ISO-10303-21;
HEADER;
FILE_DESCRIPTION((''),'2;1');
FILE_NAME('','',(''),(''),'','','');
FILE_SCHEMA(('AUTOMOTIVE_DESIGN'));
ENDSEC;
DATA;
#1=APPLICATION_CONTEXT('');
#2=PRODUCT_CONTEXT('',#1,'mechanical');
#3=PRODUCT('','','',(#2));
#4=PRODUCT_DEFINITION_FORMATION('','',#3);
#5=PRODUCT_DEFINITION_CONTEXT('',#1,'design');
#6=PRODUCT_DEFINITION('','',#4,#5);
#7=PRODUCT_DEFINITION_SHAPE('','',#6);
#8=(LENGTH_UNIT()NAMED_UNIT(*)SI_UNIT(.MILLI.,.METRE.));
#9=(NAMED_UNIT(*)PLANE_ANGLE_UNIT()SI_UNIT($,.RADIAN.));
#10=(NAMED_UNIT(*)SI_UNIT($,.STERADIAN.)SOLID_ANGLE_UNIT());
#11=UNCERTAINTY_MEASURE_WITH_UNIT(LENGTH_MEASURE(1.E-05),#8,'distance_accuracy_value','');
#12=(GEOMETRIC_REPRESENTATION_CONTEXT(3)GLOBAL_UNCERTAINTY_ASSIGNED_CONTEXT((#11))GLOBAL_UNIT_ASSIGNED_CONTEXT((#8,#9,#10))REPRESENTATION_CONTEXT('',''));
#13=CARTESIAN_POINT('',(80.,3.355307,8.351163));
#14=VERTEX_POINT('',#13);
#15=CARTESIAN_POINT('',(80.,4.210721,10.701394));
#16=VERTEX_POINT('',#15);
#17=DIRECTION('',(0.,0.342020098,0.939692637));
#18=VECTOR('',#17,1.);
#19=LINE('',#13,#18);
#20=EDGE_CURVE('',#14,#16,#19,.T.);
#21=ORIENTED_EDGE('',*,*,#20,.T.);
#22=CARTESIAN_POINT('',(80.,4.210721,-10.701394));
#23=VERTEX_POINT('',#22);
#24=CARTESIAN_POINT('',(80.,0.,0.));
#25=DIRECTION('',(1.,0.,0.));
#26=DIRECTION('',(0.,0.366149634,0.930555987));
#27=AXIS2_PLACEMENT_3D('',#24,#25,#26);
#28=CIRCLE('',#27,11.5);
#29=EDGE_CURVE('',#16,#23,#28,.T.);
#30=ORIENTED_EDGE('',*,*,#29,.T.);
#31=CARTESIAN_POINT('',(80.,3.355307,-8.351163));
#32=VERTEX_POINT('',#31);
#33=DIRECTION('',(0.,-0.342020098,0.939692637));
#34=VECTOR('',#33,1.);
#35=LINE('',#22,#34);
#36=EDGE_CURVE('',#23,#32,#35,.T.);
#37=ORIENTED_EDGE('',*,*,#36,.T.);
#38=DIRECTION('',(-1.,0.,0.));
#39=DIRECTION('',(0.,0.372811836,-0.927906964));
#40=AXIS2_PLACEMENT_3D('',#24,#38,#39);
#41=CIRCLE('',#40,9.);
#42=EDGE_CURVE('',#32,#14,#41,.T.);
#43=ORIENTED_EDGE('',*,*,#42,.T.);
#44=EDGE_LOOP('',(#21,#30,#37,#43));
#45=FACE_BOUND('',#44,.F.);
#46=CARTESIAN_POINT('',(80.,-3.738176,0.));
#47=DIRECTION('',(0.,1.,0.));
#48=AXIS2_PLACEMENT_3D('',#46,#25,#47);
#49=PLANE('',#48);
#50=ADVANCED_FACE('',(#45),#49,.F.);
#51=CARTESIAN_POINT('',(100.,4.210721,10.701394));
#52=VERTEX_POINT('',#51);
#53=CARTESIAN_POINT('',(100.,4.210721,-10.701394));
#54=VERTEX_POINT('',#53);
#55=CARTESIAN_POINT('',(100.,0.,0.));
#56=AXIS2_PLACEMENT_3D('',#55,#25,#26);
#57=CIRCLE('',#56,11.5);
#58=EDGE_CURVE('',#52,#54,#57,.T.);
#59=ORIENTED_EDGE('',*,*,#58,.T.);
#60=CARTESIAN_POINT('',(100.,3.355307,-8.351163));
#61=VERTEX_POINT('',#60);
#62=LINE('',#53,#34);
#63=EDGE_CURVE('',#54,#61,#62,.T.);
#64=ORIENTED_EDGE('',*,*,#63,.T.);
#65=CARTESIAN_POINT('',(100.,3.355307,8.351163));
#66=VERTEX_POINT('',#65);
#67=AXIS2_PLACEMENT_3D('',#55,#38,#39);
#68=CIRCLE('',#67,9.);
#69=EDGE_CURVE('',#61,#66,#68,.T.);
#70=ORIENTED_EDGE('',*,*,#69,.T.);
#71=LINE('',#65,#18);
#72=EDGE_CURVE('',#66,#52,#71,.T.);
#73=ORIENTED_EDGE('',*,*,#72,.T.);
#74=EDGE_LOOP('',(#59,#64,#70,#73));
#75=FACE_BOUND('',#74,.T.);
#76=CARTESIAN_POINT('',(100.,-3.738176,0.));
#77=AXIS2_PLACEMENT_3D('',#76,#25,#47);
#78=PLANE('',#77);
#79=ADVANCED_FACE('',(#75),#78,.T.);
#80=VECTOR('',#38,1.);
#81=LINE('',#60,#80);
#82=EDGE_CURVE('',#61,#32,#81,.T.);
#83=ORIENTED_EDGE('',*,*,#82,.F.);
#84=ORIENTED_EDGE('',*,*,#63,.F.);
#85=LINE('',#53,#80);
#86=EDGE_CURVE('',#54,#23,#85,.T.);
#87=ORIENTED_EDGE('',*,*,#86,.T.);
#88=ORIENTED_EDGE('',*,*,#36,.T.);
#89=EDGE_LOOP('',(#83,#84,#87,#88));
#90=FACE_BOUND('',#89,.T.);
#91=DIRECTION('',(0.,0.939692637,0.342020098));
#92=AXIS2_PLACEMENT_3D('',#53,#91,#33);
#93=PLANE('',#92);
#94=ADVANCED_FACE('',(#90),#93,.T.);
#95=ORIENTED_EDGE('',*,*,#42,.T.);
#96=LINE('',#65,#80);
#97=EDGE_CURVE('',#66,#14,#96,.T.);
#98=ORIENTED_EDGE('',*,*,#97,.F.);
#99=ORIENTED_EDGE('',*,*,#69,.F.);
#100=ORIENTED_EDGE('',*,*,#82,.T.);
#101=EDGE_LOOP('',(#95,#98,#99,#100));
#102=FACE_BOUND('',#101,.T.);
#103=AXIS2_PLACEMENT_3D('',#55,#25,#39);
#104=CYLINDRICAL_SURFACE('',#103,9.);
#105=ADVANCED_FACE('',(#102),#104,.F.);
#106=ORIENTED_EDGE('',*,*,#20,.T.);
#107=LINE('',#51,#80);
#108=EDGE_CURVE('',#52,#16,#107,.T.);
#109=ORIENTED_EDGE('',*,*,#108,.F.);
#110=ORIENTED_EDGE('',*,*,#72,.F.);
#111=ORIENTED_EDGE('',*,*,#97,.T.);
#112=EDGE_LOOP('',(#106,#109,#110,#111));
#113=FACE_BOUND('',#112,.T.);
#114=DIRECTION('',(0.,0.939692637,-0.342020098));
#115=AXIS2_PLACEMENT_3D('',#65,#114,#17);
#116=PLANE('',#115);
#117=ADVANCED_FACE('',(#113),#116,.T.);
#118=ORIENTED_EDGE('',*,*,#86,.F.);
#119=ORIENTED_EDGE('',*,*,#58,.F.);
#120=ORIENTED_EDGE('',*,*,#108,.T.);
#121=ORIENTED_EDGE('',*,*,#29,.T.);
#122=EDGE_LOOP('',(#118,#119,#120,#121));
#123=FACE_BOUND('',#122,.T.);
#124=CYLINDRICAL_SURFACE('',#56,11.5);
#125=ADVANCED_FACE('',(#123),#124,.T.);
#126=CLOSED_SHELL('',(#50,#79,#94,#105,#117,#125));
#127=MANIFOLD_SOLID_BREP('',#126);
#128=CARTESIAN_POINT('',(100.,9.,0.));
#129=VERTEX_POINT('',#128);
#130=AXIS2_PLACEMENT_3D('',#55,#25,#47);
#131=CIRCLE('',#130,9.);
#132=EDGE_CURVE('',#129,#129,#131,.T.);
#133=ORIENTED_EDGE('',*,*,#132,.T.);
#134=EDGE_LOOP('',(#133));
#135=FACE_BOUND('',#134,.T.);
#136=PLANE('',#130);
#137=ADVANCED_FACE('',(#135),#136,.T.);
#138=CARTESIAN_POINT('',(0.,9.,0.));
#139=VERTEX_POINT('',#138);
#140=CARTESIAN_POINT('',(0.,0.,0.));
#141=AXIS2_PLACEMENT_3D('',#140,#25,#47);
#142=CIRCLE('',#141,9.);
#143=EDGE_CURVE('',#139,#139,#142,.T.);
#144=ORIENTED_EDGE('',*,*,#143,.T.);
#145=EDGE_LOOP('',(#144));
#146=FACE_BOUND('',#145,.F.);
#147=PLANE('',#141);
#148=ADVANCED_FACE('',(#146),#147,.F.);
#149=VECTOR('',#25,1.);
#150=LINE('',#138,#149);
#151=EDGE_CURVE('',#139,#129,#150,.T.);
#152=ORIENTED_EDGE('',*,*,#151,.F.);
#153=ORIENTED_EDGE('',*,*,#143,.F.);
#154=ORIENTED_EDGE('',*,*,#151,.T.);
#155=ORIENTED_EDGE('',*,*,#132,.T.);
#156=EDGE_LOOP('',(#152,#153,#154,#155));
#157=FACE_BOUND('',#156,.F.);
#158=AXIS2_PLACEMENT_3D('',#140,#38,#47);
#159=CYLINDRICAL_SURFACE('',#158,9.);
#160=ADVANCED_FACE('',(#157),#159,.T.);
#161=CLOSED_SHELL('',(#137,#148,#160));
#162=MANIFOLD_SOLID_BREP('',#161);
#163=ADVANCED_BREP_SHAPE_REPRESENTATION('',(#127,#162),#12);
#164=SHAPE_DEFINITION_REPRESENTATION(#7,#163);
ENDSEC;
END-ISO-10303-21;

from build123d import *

# Parameters (mm, degrees)
F0_R     = 9
F1_DEPTH = 100
F3_DEPTH = 20


with BuildPart() as f1:
    # F0 (on Right) → F1 (new body)
    with BuildSketch(Plane.YZ):
        Circle(F0_R)
    extrude(amount=F1_DEPTH)


with BuildPart() as f3:
    # F2 (on face) → F3 (new body)
    with BuildSketch(Plane.YZ.offset(100)):
        with BuildLine():
            ThreePointArc((3.355307, -8.351163), (-9, 0), (3.355307, 8.351163))
            Line((3.355307, 8.351163), (4.210721, 10.701394))
            ThreePointArc((4.210721, 10.701394), (-11.5, 0), (4.210721, -10.701394))
            Line((4.210721, -10.701394), (3.355307, -8.351163))
        make_face()
    extrude(amount=-F3_DEPTH)


solid = Compound([f1.part, f3.part])
